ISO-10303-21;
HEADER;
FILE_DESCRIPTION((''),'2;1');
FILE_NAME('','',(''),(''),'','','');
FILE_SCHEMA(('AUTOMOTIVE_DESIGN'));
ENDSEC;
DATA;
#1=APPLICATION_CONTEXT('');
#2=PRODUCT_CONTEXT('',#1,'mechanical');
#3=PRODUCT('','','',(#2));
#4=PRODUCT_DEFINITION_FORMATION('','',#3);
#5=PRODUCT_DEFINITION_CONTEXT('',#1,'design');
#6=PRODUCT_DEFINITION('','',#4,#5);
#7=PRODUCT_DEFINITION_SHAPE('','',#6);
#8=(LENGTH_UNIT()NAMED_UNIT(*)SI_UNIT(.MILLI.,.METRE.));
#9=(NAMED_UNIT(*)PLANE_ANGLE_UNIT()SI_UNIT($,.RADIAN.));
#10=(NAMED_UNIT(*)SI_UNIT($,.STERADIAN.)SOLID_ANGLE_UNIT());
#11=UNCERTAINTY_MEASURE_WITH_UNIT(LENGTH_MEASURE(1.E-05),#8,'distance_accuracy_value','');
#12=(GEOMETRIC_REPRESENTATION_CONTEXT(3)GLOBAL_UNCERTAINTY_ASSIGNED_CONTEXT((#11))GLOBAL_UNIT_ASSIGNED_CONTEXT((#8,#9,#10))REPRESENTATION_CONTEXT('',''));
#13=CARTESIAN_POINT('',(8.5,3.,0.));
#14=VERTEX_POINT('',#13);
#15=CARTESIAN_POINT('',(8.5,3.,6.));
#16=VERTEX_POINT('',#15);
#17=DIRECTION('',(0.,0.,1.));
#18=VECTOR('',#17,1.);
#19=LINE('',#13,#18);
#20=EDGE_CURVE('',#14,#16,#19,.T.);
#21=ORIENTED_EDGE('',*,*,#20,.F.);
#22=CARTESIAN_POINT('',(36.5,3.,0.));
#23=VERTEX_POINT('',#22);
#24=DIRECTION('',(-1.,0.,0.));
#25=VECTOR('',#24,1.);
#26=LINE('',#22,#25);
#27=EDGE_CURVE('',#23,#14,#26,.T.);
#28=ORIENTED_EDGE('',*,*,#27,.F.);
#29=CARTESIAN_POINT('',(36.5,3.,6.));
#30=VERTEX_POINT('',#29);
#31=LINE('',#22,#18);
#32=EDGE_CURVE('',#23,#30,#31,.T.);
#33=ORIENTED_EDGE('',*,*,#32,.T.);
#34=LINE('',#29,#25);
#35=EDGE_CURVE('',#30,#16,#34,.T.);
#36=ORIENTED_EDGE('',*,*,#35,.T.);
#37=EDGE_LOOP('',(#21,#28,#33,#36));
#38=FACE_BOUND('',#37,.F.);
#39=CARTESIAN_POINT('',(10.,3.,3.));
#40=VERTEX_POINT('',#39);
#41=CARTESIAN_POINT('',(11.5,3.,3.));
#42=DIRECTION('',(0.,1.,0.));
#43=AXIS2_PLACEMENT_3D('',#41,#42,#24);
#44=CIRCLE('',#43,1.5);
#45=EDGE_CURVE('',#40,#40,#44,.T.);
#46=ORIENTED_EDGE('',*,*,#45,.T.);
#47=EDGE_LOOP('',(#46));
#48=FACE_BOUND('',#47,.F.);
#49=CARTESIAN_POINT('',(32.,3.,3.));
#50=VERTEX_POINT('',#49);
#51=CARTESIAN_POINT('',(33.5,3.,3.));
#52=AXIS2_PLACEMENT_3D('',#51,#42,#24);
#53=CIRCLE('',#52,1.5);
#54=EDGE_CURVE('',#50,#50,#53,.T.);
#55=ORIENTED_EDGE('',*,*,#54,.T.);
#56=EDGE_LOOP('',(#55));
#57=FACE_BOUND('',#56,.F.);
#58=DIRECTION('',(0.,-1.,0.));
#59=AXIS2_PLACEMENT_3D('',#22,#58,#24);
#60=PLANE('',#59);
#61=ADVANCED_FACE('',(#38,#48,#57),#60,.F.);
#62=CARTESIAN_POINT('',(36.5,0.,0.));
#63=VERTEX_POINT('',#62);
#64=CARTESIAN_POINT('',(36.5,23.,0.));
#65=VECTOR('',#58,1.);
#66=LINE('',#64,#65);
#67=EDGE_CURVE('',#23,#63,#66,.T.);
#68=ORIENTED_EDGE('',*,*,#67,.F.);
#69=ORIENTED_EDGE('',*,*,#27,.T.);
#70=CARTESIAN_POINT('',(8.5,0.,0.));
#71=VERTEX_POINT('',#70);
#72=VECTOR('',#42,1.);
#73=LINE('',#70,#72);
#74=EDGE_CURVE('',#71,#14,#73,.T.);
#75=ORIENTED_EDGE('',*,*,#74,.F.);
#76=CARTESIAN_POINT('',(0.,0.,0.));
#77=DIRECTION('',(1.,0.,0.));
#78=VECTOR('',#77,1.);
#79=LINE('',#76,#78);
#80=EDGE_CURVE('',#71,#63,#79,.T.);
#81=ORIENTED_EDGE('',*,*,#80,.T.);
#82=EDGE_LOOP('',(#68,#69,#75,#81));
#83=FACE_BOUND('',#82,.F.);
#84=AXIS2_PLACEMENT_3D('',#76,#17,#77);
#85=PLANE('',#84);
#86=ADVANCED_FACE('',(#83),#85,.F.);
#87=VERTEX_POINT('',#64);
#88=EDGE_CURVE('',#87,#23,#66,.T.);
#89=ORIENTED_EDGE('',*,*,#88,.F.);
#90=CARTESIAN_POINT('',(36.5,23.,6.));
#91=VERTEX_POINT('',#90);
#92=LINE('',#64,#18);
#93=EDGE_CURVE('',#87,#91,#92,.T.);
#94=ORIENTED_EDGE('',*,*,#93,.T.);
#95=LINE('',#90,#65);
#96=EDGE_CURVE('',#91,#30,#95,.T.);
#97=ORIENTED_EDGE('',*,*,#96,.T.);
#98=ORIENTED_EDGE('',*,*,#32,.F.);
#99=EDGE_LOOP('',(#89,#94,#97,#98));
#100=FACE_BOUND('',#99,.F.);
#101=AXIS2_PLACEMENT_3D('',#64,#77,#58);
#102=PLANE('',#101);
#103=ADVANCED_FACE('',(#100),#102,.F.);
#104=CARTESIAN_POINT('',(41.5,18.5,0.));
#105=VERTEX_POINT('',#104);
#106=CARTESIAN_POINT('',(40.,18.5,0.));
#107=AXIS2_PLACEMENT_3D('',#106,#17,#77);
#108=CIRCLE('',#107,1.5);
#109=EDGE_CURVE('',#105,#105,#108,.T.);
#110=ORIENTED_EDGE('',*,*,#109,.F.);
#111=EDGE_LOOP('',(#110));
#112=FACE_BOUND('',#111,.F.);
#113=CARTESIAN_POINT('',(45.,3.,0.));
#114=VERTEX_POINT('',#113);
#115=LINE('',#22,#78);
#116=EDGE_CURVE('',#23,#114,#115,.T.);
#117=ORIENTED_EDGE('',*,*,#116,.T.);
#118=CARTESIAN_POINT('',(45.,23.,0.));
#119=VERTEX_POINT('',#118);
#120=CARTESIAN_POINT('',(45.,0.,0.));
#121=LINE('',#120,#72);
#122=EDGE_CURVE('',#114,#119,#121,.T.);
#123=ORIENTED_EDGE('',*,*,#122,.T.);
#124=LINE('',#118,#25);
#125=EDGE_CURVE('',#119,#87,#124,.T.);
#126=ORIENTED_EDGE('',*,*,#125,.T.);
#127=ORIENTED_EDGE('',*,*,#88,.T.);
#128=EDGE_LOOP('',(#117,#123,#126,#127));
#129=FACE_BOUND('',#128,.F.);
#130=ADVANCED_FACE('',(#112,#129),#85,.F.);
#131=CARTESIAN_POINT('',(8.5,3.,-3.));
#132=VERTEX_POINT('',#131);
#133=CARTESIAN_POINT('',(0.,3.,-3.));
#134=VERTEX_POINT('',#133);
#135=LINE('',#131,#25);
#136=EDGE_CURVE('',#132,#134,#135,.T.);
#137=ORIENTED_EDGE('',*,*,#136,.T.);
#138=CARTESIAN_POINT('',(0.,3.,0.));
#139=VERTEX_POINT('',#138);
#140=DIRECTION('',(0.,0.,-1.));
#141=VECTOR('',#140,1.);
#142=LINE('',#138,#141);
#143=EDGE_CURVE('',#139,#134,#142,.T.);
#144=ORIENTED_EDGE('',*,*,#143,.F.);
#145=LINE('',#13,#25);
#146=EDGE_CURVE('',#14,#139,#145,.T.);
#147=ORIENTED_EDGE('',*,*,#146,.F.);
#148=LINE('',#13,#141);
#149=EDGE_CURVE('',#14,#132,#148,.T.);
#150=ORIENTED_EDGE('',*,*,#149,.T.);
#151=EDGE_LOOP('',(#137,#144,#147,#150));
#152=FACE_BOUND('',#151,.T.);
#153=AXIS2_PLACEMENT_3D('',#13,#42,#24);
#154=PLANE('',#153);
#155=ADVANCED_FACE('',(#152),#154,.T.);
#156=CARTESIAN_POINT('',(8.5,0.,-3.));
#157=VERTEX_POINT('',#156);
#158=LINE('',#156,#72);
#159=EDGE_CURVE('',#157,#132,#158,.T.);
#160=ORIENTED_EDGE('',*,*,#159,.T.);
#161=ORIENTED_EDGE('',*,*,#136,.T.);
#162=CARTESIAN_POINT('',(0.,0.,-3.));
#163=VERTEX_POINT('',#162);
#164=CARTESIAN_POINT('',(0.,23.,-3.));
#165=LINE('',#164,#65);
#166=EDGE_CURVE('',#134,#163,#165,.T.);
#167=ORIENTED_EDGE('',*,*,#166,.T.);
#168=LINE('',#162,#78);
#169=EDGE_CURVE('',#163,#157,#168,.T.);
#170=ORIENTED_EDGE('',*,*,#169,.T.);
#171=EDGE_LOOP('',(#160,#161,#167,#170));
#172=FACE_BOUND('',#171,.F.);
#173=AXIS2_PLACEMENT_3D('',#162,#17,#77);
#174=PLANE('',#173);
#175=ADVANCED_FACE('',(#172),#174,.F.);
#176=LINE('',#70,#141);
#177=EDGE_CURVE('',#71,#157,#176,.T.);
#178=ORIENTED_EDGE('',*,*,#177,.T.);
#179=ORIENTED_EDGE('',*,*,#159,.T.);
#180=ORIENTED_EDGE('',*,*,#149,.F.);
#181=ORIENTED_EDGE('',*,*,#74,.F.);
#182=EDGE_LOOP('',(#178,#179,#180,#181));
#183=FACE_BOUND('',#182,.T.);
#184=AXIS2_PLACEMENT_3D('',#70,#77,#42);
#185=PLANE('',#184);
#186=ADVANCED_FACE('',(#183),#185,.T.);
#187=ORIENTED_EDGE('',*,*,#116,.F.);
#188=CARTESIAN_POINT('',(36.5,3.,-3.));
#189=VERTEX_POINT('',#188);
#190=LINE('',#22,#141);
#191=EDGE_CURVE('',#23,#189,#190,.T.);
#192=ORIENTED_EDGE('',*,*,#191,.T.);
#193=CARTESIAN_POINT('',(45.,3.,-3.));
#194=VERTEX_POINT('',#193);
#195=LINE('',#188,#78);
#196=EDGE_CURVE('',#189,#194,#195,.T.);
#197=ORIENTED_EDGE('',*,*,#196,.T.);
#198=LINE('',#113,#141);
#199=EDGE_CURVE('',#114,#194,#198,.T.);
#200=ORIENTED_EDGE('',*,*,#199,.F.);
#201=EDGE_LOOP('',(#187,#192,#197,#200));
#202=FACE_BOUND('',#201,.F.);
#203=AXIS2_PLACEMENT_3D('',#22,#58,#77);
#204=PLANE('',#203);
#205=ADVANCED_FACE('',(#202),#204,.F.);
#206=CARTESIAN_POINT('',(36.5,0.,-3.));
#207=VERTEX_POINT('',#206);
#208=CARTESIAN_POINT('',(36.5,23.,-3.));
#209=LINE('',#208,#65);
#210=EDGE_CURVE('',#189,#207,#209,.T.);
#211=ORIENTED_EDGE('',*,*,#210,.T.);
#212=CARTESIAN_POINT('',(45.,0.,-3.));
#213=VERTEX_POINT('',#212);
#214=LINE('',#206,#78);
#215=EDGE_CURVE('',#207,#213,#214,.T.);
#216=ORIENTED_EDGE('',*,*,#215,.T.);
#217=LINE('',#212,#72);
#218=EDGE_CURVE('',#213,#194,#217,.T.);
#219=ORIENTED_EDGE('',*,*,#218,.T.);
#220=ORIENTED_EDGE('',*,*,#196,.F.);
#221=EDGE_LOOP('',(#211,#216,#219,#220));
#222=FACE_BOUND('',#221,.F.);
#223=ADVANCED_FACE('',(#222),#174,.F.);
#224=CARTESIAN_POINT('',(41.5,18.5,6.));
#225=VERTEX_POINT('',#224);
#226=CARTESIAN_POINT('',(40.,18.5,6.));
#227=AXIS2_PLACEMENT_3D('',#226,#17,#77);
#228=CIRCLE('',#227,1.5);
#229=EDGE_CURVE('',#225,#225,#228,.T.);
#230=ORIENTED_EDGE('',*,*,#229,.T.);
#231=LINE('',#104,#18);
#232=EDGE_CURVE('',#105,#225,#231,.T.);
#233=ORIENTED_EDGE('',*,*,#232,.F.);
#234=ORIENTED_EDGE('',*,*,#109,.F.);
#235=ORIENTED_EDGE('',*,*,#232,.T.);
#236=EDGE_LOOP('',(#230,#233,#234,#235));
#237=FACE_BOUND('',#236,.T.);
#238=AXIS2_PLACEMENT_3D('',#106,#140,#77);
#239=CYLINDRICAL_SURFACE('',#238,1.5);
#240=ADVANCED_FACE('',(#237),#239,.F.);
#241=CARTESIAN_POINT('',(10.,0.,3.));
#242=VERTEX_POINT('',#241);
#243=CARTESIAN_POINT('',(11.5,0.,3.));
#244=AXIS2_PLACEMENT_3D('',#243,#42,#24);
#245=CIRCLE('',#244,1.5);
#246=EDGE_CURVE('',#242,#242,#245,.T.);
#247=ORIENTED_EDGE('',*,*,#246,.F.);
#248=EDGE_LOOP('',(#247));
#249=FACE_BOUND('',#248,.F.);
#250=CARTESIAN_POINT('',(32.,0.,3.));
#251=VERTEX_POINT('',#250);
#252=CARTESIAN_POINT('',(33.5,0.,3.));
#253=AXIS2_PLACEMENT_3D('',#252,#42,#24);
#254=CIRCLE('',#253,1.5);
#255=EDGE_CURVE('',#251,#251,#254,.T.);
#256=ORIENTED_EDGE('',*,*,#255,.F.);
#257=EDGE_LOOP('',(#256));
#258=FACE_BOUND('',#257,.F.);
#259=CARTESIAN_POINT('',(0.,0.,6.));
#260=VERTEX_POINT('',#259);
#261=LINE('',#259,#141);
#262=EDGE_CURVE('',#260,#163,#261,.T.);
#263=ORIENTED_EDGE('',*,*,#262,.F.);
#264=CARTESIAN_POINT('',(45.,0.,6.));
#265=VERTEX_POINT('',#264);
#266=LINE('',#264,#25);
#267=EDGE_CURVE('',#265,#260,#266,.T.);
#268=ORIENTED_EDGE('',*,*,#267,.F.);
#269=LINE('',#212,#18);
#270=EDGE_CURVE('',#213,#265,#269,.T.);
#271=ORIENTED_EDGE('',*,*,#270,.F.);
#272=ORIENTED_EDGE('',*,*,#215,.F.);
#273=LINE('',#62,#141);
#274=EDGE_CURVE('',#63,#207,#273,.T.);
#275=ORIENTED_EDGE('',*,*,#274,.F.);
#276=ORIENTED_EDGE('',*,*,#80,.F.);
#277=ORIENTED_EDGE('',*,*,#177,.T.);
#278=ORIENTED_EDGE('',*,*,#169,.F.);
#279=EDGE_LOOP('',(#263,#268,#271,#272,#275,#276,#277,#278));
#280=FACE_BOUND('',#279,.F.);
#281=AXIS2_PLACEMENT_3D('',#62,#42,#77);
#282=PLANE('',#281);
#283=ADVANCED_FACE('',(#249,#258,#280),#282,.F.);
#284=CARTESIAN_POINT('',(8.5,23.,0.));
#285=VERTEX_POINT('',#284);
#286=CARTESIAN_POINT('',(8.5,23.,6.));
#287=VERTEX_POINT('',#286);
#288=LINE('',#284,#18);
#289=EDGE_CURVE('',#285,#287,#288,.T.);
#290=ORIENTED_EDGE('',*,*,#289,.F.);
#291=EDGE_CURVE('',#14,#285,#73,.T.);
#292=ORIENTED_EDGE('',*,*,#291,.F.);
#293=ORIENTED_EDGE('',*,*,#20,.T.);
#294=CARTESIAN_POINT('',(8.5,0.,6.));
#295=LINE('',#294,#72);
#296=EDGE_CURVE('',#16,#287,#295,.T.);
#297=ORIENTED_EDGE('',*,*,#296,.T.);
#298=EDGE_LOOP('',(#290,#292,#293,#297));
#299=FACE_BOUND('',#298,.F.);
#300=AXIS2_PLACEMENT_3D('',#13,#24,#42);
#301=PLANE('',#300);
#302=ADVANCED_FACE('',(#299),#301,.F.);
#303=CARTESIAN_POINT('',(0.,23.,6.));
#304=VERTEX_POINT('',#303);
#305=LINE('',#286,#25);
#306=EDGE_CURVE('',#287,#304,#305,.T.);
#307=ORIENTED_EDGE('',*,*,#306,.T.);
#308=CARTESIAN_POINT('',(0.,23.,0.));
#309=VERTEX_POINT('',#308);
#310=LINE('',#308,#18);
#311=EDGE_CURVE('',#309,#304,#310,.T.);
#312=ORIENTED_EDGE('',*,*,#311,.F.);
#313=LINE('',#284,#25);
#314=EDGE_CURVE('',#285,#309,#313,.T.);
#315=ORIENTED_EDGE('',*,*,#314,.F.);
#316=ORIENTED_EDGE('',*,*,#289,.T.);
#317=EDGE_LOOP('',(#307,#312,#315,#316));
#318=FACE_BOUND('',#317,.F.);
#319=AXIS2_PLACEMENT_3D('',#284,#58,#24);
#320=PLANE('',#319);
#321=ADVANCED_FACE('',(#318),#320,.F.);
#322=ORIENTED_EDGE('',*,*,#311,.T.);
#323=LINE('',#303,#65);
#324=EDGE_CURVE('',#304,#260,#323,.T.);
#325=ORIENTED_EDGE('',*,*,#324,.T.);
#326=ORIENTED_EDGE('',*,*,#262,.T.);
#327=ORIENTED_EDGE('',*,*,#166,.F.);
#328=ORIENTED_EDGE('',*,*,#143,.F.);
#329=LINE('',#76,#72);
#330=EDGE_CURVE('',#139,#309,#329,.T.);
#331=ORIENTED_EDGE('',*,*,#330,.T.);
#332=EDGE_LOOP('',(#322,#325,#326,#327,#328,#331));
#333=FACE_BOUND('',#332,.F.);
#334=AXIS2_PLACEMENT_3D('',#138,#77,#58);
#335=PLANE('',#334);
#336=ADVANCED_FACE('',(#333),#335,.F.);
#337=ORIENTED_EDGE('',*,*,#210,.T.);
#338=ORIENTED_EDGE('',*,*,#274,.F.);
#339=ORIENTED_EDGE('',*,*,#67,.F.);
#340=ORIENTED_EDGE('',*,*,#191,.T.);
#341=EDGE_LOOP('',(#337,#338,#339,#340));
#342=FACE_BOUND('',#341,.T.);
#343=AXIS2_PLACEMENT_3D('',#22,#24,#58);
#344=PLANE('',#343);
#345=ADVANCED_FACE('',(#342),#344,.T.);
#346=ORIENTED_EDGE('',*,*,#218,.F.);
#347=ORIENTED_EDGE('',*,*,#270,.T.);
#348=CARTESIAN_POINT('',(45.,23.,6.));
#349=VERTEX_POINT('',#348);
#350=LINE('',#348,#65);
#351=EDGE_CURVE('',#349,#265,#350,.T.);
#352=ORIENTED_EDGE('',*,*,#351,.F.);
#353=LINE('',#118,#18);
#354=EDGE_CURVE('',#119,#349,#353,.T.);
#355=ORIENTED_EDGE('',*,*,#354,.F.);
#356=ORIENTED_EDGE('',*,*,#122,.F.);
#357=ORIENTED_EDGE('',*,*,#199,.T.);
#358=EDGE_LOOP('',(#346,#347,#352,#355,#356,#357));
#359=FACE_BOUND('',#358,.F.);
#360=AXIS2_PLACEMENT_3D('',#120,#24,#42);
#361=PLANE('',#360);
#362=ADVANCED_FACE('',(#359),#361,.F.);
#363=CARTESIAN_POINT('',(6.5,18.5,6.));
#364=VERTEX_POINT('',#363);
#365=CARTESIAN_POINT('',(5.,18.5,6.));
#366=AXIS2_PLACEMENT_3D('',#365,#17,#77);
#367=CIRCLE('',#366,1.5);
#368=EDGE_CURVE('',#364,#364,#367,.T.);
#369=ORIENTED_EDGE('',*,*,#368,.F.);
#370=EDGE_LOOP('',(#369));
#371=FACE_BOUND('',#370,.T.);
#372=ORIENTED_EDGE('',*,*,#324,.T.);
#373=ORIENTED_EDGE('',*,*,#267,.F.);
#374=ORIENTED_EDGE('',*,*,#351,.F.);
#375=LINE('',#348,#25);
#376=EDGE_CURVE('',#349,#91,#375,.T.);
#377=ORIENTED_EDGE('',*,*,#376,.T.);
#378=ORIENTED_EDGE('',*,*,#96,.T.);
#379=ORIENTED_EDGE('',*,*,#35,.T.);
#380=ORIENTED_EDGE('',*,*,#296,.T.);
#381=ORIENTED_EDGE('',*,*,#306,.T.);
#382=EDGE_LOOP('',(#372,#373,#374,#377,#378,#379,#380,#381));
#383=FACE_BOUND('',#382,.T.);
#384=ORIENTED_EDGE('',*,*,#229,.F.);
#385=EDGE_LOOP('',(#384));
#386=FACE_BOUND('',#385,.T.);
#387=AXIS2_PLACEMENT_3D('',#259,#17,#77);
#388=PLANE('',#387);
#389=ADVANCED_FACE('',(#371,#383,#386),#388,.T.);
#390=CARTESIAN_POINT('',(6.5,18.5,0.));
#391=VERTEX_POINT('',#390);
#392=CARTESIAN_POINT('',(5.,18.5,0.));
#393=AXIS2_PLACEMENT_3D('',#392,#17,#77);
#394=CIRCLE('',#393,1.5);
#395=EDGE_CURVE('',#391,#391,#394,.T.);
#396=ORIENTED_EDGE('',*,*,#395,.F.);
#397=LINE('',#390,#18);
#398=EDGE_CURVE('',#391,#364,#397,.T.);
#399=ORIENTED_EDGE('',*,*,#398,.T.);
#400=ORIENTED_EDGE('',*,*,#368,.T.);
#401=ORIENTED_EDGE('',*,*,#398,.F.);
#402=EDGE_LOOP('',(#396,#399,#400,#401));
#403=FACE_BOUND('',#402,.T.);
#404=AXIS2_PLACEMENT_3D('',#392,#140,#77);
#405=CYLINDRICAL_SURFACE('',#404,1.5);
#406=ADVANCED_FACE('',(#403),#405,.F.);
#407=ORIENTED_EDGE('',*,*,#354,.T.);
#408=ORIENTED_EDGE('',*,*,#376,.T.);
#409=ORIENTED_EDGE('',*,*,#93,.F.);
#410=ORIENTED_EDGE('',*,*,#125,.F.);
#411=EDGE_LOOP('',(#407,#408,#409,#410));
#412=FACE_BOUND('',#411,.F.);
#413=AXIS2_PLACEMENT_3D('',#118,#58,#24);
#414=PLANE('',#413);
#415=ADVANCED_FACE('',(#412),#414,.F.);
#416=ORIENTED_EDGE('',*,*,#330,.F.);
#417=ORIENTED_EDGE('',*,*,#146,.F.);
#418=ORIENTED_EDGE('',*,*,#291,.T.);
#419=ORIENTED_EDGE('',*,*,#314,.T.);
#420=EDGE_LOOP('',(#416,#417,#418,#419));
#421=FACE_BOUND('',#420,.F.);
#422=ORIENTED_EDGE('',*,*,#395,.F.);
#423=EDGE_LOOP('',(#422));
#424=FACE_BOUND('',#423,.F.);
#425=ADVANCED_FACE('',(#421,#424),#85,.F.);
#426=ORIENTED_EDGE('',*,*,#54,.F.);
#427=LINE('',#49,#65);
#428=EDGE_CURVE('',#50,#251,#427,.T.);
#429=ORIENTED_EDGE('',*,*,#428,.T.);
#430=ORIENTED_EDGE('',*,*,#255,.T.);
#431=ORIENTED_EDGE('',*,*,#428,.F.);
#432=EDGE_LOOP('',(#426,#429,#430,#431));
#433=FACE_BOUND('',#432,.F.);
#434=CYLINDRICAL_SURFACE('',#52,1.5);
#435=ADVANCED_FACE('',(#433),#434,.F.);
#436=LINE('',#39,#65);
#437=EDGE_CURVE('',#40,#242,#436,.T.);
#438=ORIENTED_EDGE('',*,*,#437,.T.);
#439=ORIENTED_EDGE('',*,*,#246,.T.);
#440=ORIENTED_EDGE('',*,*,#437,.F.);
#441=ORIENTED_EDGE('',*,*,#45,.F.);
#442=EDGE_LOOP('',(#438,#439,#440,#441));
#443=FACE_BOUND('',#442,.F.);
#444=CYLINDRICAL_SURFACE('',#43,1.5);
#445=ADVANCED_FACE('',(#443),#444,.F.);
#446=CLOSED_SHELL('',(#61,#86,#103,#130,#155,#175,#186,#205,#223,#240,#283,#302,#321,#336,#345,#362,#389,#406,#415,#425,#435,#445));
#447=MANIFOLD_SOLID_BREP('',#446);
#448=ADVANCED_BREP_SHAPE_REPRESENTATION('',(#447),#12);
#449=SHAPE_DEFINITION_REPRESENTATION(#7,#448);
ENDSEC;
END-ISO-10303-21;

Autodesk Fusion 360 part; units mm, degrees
sketch "Sketch principal" plane through (0, 0, 0) normal (0, 0, 1) x (1, 0, 0)
  line L0 (45, 0) -> (45, 23)
  line L1 (45, 23) -> (36.5, 23)
  line L2 (36.5, 0) -> (45, 0)
  line L3 (36.5, 23) -> (36.5, 0)
  circle A0 centre (40, 18.5) radius 1.5
  line L4 (8.5, 23) -> (0, 23)
  line L5 (0, 0) -> (8.5, 0)
  line L6 (0, 23) -> (0, 0)
  line L7 (8.5, 0) -> (8.5, 23)
  circle A1 centre (5, 18.5) radius 1.5
  line L8 (8.5, 0) -> (36.5, 0)
  line L9 (36.5, 0) -> (36.5, 3)
  line L10 (36.5, 3) -> (8.5, 3)
  line L11 (8.5, 3) -> (8.5, 0)
  line L12 (8.5, 3) -> (0, 3)
  line L13 (0, 3) -> (0, 0)
  line L14 (0, 0) -> (8.5, 0)
  line L15 (8.5, 0) -> (8.5, 3)
  line L16 (36.5, 3) -> (45, 3)
  line L17 (45, 3) -> (45, 0)
  line L18 (45, 0) -> (36.5, 0)
  line L19 (36.5, 0) -> (36.5, 3)
  point P0 (36.5, 0)
  dimension "d15" = 23
  dimension "d16" = 8.5
  dimension "d17" = 3
  dimension "d18" = 4.5
  dimension "d20" = 23
  dimension "d21" = 8.5
  dimension "d22" = 3
  dimension "d23" = 4.5
  dimension "d24" = 3.5
  dimension "d25" = 28
  dimension "d26" = 3.5
  dimension "d28" = 3
  dimension "d29" = 28
extrude "Extrude1" add sketch "Sketch principal" along normal blind 6
ref_plane "WorkPlane1" through (22.5, 13, 3) normal (1, 0, 0) x (0, 1, 0)
ref_plane "WorkPlane2" through (22.5, 11.5, 3) normal (0, 0, -1) x (-1, 0, 0)
sketch "Sketch4" plane through (0, 3, 0) normal (0, 1, 0) x (-1, 0, 0)
  line L0 (-36.5, 0) -> (-8.5, 0)
  line L1 (-8.5, 0) -> (-8.5, 6)
  line L2 (-8.5, 6) -> (-36.5, 6)
  line L3 (-36.5, 6) -> (-36.5, 0)
  circle A0 centre (-11.5, 3) radius 1.5
  line L4 (-22.5, 0) -> (-22.5, 6)
  circle A1 centre (-33.5, 3) radius 1.5
  dimension "d32" = 3
  dimension "d35" = 3
extrude "Extrude2" cut sketch "Sketch4" against normal blind 11 contours A0 | A1
extrude "Extrude3" add sketch "Sketch principal" against normal blind 3 contours L0 L2 L3 L9 L16 L17 L18 L19 | L5 L6 L7 L11 L12 L13 L14 L15
